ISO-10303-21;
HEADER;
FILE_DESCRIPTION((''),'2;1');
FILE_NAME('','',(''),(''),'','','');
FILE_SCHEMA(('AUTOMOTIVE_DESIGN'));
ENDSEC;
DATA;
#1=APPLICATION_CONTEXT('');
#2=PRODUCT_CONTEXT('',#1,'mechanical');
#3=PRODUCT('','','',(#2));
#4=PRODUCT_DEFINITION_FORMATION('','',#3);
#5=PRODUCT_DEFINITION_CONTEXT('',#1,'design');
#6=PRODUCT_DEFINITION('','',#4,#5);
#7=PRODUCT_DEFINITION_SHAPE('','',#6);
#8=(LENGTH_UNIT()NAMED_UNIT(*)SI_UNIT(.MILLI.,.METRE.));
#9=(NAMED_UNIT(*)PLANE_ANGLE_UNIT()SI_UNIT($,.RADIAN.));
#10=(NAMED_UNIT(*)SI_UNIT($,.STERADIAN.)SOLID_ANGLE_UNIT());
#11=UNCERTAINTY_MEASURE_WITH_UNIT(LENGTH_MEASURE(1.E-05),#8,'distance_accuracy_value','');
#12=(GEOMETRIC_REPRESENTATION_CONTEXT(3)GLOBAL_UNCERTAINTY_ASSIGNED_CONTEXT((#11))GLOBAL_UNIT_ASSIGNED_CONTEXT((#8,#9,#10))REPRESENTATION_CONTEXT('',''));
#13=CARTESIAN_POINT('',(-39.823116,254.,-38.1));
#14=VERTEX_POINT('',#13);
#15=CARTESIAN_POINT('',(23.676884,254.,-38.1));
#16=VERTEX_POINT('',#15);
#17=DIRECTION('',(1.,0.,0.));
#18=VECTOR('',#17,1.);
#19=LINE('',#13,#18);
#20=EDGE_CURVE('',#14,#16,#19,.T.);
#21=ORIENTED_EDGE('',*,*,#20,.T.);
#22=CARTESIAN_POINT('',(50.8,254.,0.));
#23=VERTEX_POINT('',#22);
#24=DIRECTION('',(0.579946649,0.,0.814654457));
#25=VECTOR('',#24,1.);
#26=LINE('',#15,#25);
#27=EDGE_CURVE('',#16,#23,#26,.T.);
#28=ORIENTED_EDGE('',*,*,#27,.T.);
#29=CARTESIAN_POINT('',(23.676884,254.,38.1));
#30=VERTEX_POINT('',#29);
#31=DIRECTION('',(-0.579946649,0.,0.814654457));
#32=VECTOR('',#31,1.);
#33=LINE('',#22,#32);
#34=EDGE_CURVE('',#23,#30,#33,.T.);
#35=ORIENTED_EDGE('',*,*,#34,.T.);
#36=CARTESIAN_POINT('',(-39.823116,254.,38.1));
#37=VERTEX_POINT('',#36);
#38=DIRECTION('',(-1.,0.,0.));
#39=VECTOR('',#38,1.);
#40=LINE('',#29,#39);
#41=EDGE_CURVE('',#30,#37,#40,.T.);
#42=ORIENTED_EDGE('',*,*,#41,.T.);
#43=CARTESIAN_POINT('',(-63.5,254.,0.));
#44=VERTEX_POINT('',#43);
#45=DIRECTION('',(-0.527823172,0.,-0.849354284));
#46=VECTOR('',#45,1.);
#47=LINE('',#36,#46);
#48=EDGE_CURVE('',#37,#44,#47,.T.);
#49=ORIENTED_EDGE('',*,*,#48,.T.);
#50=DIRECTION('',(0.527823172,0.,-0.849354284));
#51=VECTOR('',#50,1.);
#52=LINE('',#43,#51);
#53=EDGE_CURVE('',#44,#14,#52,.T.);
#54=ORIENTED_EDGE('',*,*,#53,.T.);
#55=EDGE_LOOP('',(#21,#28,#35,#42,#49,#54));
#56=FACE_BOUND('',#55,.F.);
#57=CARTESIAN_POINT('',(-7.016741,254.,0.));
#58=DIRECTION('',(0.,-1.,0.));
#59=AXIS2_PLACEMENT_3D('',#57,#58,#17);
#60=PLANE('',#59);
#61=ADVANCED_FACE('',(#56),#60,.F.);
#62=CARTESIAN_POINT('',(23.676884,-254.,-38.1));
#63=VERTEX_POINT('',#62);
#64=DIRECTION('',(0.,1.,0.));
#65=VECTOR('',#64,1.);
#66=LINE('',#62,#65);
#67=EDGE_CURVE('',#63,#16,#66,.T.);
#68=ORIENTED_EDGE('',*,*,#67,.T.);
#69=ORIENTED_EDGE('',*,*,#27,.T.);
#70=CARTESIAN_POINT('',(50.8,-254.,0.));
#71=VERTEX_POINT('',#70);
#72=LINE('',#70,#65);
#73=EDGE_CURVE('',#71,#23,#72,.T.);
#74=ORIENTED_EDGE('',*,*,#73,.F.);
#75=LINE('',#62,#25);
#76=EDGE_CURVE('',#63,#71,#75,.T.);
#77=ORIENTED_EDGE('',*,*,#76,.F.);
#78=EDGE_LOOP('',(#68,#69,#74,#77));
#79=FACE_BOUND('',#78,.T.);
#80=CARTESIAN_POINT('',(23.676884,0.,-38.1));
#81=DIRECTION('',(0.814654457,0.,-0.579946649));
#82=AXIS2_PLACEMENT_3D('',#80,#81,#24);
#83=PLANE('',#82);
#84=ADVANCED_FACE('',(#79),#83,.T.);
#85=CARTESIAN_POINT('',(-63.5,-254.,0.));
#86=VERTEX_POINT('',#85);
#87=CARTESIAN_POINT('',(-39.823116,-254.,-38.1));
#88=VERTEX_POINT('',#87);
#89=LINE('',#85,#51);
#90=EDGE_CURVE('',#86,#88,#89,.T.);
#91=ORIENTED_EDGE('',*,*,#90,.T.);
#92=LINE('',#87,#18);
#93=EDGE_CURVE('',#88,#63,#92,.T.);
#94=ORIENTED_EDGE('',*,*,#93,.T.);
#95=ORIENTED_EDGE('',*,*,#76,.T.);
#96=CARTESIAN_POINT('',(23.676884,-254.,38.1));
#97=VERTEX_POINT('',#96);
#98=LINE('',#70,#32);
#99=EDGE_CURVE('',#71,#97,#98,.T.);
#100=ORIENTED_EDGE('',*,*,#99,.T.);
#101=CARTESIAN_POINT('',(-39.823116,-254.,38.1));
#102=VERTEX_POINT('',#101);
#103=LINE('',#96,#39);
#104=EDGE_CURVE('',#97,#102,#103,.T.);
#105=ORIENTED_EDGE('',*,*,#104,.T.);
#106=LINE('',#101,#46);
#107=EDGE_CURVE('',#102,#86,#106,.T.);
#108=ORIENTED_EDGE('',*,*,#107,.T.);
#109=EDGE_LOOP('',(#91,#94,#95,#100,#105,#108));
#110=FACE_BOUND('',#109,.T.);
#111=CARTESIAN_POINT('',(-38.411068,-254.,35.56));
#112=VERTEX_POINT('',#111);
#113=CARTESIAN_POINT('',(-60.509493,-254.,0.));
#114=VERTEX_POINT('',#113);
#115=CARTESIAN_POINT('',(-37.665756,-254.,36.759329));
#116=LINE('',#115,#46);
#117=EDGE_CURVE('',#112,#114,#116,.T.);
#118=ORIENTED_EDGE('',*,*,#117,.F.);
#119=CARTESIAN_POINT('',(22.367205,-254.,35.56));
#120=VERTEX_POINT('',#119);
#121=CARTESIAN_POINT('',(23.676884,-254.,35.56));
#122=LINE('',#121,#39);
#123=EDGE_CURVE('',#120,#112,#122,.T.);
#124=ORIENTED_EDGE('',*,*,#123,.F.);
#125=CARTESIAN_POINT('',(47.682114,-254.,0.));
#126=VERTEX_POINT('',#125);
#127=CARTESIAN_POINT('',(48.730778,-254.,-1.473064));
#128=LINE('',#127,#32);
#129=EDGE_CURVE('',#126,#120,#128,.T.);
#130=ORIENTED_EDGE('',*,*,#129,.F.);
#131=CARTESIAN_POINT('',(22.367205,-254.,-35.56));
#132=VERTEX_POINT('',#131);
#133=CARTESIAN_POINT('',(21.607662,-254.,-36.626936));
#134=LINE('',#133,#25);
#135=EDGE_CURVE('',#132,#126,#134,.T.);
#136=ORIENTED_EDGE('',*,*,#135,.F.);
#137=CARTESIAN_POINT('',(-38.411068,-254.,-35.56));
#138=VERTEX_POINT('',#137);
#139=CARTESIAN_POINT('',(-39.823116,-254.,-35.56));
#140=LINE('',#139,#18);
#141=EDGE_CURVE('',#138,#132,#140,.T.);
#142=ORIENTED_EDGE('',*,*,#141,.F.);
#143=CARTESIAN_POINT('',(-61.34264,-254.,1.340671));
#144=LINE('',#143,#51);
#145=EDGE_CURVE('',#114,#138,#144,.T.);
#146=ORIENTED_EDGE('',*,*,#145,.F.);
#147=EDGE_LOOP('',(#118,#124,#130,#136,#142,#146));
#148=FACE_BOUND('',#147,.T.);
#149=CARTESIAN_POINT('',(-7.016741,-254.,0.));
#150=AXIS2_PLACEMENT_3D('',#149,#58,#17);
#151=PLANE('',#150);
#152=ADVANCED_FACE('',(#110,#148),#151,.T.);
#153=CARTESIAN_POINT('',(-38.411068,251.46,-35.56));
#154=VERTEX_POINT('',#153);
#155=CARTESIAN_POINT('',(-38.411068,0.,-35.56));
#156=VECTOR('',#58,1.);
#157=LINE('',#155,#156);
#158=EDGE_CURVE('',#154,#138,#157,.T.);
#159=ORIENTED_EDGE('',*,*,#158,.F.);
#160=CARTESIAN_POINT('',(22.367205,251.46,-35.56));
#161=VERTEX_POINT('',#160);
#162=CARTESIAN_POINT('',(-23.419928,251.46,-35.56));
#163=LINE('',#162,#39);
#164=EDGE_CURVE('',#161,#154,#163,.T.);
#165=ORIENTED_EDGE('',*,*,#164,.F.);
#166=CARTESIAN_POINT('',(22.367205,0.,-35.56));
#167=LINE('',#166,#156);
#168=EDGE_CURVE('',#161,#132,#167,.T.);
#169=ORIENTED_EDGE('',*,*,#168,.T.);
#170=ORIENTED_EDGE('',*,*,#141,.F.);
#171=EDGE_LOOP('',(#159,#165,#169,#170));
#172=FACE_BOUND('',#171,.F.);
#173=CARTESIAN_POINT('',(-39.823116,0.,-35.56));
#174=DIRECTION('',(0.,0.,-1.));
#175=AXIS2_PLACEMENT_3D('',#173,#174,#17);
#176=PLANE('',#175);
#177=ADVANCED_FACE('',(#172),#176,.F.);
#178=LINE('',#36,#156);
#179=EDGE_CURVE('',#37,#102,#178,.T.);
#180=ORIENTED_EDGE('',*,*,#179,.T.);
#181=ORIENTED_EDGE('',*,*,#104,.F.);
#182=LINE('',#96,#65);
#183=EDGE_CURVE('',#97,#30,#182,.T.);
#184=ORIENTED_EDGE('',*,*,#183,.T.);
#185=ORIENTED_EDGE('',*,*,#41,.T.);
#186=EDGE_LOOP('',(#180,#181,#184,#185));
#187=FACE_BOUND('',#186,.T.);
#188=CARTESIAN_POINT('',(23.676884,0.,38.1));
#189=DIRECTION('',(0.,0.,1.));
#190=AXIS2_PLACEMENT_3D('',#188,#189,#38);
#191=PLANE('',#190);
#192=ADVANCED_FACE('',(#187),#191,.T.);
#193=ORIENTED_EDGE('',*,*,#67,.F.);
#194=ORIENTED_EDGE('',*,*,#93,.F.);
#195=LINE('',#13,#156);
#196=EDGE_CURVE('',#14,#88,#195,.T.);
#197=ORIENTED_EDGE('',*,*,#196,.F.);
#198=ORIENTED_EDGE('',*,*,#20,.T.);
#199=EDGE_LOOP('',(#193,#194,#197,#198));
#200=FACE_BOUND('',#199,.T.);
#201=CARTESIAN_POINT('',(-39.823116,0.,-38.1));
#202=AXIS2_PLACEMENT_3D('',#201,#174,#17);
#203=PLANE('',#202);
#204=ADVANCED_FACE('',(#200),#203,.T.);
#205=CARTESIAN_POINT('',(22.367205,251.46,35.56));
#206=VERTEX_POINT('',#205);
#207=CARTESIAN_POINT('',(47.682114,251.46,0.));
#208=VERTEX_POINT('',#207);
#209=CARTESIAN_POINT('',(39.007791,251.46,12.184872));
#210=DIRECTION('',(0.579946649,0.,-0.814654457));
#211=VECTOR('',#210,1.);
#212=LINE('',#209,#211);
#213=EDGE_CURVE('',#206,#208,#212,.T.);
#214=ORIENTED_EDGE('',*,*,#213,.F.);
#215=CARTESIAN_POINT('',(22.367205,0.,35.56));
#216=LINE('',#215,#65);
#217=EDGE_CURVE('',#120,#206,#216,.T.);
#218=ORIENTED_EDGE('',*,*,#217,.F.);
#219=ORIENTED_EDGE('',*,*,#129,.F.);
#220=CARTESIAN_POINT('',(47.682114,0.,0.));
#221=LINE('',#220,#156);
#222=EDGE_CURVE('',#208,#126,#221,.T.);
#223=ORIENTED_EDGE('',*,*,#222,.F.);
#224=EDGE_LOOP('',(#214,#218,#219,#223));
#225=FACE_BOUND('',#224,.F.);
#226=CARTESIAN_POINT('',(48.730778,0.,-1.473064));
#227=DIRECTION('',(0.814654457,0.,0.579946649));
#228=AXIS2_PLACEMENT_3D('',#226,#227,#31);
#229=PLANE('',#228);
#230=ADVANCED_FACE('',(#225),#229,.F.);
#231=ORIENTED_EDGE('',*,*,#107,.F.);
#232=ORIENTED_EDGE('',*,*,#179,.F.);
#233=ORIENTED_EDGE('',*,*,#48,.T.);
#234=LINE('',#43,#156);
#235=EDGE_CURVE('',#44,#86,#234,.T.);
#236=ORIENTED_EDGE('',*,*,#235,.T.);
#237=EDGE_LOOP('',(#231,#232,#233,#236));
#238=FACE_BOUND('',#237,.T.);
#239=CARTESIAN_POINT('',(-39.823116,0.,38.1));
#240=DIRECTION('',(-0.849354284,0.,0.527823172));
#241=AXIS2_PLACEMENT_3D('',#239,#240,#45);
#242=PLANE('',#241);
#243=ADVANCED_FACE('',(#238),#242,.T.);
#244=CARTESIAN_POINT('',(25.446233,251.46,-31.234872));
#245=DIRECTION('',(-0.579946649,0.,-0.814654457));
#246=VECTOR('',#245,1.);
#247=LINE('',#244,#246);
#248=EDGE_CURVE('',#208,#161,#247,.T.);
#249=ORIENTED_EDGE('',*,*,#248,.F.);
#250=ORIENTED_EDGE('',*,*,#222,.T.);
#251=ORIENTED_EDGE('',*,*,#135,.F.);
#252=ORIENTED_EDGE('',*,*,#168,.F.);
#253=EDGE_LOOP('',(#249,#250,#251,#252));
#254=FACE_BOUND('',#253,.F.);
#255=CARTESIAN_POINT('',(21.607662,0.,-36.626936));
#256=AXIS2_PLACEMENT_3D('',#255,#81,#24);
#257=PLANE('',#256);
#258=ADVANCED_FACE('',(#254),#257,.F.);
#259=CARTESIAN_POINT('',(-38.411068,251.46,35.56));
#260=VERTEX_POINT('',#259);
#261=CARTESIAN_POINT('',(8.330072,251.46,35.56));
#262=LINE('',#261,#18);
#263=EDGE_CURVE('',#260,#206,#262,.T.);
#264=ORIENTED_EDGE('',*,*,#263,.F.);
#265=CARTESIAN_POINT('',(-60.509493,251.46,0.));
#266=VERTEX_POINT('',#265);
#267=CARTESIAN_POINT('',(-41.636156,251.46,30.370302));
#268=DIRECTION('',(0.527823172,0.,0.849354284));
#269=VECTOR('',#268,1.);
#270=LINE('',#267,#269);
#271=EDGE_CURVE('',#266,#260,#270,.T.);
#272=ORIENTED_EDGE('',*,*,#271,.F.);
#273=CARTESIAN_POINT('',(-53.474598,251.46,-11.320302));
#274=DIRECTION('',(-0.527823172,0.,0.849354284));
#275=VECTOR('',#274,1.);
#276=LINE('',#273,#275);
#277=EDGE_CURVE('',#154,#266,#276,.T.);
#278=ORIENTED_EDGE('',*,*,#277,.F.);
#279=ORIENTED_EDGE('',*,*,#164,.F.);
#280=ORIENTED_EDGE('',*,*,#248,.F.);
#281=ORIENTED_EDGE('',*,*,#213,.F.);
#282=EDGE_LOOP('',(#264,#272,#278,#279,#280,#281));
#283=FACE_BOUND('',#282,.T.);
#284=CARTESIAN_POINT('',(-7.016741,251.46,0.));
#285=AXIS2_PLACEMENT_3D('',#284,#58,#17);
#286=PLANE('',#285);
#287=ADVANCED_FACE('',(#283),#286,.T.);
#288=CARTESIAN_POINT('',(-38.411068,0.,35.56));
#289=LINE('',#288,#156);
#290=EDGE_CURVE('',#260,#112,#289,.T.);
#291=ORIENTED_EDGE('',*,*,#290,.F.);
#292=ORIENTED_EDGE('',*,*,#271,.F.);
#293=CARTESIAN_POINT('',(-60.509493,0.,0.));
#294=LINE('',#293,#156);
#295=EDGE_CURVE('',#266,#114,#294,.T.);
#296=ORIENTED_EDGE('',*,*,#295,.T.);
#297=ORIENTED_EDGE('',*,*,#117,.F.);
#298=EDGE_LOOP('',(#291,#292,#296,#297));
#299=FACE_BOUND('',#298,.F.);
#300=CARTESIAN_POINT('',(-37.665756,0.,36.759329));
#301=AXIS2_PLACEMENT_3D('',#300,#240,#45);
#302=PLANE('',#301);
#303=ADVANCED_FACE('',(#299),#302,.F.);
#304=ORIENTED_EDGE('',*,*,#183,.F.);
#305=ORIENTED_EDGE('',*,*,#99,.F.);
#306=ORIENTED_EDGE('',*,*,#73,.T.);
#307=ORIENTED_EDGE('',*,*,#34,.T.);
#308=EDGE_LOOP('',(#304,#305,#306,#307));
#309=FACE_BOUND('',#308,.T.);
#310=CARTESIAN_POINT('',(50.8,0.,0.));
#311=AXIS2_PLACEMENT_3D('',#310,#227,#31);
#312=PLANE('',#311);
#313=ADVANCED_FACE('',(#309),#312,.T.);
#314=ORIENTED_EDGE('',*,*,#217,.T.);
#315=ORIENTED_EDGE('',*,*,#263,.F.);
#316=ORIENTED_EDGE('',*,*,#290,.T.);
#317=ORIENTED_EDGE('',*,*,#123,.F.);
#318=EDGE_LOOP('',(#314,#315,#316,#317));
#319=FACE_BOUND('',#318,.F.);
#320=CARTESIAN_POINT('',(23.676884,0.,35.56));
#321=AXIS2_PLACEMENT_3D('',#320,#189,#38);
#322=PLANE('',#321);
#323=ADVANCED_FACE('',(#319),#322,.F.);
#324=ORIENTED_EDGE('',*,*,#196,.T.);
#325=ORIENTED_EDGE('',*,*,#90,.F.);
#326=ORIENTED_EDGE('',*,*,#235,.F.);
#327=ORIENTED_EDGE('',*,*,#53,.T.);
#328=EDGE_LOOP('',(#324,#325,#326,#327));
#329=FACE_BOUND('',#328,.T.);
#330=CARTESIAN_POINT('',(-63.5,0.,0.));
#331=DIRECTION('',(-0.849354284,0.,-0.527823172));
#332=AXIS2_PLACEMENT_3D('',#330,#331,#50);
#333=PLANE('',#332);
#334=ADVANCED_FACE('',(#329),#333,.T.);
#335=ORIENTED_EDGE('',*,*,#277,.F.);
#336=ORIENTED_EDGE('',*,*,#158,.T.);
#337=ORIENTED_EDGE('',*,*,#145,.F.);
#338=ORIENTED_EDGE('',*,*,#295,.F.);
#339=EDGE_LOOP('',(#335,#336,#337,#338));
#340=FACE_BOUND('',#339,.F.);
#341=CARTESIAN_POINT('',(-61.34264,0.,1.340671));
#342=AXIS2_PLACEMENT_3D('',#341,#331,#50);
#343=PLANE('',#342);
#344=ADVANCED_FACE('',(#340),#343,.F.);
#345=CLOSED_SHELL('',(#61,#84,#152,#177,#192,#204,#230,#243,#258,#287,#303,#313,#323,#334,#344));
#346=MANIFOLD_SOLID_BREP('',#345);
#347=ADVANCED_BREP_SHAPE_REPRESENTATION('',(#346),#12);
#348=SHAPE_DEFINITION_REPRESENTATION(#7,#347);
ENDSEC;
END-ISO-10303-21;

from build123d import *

# Parameters (mm, degrees)
F1_DEPTH = 254
F2_T     = -2.54


with BuildPart() as f1:
    # F0 (on Front) → F1 (new body, symmetric)
    with BuildSketch(Plane.XZ):
        Polygon((23.676884, 38.1), (-39.823116, 38.1), (-63.5, 0), (-39.823116, -38.1), (23.676884, -38.1), (50.8, 0), align=None)
    extrude(amount=F1_DEPTH, both=True)

    # F2
    f2_openings = [f1.faces().sort_by_distance(p)[0] for p in [
        (-7.129505, -254, 0),
    ]]
    offset(amount=F2_T, openings=f2_openings)


solid = f1.part
